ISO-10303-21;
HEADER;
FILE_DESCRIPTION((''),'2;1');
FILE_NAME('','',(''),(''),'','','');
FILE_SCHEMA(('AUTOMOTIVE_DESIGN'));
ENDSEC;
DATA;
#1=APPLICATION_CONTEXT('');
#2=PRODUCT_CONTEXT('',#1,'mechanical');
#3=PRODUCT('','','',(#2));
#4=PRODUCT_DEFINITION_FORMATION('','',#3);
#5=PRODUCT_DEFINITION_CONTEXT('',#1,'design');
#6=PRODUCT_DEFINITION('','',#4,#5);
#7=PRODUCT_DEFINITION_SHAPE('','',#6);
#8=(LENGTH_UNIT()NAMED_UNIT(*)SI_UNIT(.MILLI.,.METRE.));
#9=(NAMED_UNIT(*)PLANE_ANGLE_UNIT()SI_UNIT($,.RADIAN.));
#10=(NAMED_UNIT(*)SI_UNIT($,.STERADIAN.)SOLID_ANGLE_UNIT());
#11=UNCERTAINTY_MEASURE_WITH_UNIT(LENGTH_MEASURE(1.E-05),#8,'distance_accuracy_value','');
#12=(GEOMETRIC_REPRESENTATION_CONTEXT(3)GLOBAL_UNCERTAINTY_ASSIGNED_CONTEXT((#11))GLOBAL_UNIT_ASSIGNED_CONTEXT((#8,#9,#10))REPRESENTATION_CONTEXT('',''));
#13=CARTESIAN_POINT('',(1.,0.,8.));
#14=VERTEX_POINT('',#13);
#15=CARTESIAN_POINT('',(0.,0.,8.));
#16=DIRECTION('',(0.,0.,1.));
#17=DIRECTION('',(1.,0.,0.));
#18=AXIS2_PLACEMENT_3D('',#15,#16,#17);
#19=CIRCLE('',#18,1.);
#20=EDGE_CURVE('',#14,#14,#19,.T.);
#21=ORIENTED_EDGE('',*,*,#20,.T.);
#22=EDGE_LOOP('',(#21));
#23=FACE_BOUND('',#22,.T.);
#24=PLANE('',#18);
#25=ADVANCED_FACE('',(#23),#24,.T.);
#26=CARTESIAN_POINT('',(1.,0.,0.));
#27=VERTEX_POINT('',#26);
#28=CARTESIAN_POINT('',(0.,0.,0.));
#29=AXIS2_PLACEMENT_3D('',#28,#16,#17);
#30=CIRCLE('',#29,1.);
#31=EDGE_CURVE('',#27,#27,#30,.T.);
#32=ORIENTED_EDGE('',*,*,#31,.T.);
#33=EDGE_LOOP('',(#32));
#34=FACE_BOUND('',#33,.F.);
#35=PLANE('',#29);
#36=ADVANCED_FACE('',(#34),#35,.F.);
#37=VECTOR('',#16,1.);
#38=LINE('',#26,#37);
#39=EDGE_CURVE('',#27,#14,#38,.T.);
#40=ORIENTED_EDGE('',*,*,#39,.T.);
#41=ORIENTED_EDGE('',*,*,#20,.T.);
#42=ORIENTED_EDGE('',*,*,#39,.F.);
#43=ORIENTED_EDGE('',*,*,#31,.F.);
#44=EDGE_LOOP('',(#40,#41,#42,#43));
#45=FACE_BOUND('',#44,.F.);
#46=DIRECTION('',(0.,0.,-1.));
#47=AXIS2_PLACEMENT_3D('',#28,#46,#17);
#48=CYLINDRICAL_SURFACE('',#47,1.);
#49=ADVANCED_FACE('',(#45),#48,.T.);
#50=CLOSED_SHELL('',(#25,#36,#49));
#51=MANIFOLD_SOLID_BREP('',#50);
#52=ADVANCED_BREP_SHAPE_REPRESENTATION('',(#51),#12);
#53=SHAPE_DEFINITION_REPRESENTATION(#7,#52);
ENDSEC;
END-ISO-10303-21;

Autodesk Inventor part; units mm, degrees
ref_plane "YZ Plane" through (0, 0, 0) normal (1, 0, 0) x (0, 1, 0)
ref_plane "XZ Plane" through (0, 0, 0) normal (0, 1, 0) x (-1, 0, 0)
ref_plane "XY Plane" through (0, 0, 0) normal (0, 0, 1) x (1, 0, 0)
sketch "スケッチ1" plane through (0, 0, 0) normal (0, 0, 1) x (1, 0, 0)
  circle A0 centre (0, 0) radius 1
  dimension "d0" = 2
extrude "押し出し1" add sketch "スケッチ1" along normal blind 8
properties part number "Parts_Shaft_Phi2_L8" material "鋼"
